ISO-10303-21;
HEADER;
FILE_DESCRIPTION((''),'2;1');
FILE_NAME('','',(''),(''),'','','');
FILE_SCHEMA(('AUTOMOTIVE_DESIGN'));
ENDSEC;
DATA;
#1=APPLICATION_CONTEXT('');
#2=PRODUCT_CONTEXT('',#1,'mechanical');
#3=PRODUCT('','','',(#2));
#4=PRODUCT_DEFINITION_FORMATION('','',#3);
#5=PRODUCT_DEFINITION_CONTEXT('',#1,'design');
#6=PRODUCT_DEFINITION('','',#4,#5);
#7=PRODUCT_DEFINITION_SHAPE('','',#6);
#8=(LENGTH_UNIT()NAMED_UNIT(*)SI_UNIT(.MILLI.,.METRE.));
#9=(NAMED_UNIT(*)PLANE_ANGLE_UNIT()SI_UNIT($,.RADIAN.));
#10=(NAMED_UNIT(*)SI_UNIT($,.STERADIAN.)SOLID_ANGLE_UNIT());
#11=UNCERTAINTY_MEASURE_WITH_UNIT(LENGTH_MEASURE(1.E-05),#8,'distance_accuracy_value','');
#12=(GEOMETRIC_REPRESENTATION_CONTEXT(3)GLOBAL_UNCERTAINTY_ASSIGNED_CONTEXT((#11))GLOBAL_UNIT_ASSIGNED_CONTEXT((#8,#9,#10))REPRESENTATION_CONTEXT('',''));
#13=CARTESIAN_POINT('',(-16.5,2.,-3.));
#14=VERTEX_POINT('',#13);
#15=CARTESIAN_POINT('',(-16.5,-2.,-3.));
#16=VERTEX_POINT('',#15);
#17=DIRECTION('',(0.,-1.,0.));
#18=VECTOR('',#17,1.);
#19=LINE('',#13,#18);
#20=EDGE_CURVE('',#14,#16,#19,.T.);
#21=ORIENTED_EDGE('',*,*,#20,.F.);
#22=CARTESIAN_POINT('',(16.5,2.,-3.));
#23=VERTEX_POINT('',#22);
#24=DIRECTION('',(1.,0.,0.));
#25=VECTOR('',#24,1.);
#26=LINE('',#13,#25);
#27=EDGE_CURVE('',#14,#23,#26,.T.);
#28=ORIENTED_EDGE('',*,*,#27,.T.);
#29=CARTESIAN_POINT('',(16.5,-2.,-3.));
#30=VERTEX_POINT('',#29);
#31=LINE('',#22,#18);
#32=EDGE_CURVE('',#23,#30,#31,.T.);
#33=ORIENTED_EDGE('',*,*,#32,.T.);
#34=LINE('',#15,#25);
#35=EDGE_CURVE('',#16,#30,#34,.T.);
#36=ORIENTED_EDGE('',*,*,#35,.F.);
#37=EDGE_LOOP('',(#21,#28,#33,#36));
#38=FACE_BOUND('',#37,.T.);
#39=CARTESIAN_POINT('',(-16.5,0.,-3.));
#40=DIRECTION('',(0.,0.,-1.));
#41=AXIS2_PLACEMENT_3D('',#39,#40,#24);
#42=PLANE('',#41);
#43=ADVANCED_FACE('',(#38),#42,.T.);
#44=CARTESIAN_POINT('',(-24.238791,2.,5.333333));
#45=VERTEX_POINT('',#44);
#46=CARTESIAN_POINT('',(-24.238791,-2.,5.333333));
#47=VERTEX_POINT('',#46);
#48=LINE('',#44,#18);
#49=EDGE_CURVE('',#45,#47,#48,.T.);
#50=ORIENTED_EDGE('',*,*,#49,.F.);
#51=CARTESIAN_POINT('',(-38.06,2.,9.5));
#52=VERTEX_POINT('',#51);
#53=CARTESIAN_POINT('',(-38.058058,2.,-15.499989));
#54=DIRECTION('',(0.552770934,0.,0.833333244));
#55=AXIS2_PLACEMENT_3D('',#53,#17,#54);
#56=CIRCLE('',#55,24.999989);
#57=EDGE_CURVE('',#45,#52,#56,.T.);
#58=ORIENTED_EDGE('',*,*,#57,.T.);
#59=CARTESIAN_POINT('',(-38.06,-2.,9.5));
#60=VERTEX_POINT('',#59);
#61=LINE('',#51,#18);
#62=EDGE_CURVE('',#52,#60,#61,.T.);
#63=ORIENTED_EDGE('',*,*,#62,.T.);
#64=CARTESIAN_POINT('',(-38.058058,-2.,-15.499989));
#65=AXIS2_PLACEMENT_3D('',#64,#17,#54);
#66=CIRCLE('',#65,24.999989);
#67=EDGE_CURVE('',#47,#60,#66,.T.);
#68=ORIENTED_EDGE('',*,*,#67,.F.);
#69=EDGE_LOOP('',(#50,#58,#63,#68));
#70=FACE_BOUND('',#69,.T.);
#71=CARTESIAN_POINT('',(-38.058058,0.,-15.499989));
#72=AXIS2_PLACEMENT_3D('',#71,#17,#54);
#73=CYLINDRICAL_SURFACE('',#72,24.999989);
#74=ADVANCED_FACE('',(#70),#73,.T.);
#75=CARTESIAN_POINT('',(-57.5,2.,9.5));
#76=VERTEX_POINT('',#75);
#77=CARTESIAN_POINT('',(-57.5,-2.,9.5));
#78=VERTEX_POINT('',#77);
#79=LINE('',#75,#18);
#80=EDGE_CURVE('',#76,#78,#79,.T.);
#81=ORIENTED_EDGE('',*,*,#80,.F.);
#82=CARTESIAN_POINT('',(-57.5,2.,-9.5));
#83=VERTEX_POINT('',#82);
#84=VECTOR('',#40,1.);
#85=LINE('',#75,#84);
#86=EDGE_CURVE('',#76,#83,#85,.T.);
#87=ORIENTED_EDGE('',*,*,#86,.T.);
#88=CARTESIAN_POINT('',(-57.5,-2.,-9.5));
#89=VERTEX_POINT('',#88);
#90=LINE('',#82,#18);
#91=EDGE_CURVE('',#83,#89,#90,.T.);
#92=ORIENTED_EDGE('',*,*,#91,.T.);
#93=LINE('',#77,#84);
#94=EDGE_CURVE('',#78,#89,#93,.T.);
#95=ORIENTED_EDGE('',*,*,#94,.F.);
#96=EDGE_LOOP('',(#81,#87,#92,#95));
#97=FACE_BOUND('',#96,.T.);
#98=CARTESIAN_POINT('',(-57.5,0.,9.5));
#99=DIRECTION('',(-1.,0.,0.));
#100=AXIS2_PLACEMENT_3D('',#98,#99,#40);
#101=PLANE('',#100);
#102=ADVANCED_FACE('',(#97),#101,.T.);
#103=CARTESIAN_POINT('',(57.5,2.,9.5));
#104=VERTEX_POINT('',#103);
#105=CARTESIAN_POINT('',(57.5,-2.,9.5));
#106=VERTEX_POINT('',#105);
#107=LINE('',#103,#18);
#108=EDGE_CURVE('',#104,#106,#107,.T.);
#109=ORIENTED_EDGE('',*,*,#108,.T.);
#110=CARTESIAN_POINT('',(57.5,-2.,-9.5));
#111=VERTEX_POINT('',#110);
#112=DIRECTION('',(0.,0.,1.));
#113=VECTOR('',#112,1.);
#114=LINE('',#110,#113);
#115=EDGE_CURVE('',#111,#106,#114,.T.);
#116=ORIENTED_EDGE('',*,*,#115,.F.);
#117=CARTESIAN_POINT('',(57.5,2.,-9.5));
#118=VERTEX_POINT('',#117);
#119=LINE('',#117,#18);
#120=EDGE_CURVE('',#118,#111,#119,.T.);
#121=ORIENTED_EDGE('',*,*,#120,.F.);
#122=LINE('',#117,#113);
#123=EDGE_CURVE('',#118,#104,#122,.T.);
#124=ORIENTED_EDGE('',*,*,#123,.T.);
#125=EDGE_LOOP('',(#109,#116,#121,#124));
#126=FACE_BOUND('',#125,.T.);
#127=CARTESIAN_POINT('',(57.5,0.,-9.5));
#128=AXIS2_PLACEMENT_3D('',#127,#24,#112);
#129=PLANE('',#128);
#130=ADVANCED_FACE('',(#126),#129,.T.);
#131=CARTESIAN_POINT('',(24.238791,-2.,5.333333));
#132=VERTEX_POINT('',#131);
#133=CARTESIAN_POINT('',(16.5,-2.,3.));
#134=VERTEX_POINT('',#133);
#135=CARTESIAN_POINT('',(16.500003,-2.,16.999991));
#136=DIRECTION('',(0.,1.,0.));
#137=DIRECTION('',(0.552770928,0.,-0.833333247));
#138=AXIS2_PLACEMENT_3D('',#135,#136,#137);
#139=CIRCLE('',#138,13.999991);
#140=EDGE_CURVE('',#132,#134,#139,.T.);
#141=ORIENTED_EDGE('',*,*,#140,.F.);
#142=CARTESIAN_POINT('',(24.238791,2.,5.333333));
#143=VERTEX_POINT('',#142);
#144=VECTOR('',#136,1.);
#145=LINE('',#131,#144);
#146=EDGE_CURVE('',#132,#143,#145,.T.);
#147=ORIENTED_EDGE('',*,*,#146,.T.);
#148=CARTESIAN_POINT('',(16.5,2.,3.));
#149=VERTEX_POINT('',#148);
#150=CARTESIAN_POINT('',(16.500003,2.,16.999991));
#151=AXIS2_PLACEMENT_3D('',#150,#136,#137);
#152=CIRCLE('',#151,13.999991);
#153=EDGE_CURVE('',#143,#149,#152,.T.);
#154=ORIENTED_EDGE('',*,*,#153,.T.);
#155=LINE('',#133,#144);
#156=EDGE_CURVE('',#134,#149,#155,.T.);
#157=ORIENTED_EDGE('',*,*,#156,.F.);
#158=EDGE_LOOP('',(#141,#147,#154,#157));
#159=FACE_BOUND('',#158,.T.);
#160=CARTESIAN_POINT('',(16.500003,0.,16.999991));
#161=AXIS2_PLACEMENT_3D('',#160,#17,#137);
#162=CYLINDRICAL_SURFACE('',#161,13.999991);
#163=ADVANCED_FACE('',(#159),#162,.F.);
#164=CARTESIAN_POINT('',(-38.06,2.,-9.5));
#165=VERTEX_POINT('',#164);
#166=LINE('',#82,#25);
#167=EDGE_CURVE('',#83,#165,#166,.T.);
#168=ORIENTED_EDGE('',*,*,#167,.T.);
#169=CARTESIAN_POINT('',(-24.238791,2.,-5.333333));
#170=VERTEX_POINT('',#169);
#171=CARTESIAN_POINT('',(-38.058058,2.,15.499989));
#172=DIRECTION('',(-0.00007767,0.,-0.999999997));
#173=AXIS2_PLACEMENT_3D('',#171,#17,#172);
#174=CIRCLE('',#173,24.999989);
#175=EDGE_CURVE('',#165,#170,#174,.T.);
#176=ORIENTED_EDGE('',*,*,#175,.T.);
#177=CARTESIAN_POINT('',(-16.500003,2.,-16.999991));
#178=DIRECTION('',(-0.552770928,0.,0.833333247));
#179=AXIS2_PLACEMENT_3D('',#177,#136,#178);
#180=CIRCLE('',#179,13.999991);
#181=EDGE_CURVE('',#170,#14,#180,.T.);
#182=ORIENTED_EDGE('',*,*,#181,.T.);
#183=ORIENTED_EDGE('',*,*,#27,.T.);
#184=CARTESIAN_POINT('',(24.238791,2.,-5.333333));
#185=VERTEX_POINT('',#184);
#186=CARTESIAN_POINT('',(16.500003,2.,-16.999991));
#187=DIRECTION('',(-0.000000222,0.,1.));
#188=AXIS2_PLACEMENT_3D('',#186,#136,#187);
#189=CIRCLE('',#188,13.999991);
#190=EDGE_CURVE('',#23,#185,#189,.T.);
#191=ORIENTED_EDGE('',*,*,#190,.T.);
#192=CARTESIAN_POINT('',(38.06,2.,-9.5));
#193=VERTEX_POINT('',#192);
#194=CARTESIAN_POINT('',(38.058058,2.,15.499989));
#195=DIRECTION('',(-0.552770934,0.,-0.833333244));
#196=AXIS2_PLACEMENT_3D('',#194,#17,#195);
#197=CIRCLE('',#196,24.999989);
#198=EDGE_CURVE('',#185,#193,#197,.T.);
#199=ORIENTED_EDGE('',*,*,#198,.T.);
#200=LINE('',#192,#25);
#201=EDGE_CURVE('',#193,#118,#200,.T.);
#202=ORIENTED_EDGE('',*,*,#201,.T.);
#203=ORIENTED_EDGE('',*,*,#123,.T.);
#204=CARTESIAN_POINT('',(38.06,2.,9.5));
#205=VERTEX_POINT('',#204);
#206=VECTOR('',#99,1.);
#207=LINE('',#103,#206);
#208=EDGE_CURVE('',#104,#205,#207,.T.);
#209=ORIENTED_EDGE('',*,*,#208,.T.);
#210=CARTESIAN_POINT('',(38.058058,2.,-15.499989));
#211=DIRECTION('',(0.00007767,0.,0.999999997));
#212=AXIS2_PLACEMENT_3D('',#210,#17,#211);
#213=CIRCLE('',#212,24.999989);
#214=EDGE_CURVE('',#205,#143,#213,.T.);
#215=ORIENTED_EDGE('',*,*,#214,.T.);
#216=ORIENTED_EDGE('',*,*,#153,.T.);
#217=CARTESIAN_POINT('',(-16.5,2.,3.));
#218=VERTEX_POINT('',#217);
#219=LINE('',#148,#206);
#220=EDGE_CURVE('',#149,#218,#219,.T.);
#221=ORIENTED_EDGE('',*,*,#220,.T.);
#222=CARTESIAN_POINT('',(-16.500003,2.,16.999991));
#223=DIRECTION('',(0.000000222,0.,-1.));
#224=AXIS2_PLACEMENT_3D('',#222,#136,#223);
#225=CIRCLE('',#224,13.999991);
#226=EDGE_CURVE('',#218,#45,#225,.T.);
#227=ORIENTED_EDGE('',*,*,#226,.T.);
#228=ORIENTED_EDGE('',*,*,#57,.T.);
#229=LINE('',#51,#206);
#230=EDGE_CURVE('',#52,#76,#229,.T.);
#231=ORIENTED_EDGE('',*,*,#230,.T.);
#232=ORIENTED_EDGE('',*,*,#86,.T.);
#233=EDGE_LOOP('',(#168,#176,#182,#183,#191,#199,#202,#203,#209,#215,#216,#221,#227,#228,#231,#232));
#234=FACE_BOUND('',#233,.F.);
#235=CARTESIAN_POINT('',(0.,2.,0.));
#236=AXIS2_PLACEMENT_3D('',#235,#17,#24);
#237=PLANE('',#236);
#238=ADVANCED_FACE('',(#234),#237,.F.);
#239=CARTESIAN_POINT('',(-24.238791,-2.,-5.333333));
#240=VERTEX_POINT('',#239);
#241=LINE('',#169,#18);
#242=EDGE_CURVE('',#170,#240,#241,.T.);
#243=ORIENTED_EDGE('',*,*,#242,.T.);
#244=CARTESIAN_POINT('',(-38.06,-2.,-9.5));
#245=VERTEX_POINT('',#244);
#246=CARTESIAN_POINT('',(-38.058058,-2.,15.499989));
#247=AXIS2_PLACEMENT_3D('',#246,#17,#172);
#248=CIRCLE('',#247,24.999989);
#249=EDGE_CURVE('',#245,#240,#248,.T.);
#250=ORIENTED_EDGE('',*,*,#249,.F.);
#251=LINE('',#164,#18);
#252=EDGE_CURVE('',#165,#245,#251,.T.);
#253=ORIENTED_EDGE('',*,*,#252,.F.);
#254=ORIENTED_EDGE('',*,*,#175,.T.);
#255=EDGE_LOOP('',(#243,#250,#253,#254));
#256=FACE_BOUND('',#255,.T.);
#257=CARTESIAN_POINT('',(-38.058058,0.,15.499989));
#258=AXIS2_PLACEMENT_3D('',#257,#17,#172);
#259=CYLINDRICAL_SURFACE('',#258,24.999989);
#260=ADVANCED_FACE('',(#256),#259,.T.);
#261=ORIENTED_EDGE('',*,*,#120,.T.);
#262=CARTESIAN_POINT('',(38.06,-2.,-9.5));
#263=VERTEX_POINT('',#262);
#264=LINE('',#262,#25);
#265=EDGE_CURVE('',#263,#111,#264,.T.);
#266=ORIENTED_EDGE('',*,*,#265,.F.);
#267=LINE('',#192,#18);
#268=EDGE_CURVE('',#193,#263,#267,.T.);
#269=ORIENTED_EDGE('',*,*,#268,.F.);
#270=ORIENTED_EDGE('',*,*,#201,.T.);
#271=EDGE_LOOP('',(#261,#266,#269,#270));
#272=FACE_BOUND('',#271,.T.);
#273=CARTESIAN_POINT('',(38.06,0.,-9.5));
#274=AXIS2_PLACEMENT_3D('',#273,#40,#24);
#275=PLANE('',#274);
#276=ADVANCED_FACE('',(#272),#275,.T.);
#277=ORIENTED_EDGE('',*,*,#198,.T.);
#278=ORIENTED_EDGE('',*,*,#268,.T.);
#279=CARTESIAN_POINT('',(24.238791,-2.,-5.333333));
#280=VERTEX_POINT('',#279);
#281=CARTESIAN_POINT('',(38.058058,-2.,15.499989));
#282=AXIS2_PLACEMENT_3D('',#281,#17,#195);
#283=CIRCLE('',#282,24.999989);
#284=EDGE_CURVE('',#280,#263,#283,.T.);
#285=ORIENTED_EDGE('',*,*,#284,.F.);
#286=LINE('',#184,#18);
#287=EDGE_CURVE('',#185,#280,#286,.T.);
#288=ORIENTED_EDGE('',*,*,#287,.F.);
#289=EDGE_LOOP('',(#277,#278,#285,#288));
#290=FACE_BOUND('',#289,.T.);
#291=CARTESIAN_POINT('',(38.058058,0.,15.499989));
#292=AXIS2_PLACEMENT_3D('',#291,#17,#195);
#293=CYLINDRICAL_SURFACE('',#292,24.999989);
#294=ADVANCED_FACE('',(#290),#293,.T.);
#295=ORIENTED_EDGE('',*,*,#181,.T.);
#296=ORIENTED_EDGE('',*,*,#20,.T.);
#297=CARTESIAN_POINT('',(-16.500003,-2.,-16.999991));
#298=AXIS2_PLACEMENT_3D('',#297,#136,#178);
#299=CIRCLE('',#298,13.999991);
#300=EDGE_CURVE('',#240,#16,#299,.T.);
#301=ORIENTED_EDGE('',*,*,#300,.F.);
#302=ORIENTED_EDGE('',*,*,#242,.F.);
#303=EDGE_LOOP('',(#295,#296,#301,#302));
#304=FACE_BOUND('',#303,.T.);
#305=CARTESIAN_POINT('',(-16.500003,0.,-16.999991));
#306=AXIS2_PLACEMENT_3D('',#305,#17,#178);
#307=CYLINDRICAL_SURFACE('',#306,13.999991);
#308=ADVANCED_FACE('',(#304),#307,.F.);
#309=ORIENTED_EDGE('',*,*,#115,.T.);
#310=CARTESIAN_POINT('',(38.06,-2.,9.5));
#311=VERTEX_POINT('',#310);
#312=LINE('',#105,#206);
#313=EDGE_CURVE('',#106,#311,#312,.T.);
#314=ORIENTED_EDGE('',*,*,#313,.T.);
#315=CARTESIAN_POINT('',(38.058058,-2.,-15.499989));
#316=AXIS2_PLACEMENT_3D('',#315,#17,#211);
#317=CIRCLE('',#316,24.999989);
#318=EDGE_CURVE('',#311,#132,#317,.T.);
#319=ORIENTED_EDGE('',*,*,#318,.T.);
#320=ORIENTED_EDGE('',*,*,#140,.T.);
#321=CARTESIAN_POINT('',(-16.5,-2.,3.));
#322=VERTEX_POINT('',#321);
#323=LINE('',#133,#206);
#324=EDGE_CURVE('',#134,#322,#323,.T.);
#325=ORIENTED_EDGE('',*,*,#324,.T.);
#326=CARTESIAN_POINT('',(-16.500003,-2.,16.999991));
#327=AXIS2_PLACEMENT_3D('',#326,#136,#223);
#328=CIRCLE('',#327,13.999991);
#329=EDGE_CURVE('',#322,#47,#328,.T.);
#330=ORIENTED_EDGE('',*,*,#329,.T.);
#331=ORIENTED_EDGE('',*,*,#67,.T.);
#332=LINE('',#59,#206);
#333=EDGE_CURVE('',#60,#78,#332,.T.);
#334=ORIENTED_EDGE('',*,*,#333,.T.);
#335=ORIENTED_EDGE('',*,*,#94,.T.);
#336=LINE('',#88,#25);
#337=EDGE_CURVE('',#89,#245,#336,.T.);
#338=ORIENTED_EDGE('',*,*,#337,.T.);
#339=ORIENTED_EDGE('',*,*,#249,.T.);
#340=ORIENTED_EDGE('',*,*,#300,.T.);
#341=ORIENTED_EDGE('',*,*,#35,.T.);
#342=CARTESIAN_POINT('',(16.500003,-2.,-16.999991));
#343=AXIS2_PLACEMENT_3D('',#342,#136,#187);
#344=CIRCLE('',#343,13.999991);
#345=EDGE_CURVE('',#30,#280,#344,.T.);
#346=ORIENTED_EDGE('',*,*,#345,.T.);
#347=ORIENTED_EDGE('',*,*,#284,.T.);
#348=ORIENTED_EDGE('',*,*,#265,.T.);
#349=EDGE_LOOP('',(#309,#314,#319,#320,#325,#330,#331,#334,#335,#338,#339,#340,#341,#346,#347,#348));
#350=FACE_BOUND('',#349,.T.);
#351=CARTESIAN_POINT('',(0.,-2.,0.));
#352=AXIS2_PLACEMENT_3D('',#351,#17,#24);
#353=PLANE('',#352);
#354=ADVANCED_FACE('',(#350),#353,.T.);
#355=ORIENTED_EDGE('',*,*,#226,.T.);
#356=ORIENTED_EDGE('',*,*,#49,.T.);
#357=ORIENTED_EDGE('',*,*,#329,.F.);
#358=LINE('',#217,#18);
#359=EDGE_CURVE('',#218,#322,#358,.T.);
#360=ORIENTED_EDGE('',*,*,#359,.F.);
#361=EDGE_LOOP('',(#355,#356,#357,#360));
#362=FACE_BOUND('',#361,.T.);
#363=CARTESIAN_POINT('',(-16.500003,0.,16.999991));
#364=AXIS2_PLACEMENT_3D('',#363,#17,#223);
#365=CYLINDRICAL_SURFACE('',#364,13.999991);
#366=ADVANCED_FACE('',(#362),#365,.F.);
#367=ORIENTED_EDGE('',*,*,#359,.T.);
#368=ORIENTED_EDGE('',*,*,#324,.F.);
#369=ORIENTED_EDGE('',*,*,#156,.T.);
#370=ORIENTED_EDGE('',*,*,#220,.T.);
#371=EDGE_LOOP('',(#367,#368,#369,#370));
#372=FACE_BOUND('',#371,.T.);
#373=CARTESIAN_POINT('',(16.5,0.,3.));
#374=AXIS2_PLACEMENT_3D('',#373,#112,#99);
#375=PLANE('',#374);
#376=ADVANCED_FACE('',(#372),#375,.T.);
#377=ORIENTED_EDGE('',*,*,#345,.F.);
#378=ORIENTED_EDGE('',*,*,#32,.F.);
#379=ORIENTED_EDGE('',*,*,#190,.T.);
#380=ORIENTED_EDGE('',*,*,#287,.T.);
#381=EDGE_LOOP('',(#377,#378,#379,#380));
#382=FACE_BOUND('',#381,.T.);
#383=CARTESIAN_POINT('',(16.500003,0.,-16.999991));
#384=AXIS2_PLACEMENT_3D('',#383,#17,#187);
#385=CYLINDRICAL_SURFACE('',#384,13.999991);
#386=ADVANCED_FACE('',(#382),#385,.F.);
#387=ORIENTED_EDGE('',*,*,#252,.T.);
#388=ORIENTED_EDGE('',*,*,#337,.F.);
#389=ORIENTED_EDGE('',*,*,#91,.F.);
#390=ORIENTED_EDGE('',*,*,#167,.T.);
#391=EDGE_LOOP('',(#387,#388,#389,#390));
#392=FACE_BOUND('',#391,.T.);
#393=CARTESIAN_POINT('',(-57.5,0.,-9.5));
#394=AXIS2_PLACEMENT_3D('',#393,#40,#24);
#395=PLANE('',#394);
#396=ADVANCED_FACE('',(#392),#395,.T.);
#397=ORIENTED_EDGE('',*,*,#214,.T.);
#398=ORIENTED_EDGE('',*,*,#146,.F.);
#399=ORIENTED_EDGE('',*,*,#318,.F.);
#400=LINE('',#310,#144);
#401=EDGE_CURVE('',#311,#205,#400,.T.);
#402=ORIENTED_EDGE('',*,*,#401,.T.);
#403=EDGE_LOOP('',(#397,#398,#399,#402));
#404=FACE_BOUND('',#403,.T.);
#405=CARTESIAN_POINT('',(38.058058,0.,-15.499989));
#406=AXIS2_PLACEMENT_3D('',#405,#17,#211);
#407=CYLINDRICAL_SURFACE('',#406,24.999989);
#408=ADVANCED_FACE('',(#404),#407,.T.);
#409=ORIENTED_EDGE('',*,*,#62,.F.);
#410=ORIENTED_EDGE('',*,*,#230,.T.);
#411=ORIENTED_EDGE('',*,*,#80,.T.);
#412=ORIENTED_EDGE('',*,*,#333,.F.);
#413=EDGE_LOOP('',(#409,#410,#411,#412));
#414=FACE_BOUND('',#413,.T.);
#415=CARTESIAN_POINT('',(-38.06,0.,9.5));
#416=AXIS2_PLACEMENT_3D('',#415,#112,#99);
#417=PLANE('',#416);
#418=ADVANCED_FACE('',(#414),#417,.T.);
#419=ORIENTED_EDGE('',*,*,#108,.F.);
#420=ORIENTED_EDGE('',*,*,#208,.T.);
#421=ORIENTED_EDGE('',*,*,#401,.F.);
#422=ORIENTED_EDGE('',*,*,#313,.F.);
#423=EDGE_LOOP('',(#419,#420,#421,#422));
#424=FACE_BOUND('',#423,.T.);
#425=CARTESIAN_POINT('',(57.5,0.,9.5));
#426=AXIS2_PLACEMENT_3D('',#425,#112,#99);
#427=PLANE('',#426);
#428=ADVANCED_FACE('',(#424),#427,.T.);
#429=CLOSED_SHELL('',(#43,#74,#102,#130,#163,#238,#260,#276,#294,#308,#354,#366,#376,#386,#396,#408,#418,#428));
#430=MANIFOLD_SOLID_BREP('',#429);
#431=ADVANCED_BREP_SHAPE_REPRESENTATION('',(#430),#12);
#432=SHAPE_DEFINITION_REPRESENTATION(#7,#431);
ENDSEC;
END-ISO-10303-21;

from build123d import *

# Parameters (mm, degrees)
F1_DEPTH = 2


with BuildPart() as f1:
    # F0 (on Front) → F1 (new body, symmetric)
    with BuildSketch(Plane.XZ):
        with BuildLine():
            Line((16.5, 3), (0, 3))
            Line((0, 3), (-16.5, 3))
            ThreePointArc((-16.5, 3), (-20.541452, 3.59602), (-24.238791, 5.333333))
            ThreePointArc((-24.238791, 5.333333), (-30.842111, 8.435958), (-38.06, 9.5))
            Line((-38.06, 9.5), (-57.5, 9.5))
            Line((-57.5, 9.5), (-57.5, -9.5))
            Line((-57.5, -9.5), (-38.06, -9.5))
            ThreePointArc((-38.06, -9.5), (-30.842111, -8.435958), (-24.238791, -5.333333))
            ThreePointArc((-24.238791, -5.333333), (-20.541452, -3.59602), (-16.5, -3))
            Line((-16.5, -3), (0, -3))
            Line((0, -3), (16.5, -3))
            ThreePointArc((16.5, -3), (20.541452, -3.59602), (24.238791, -5.333333))
            ThreePointArc((24.238791, -5.333333), (30.842111, -8.435958), (38.06, -9.5))
            Line((38.06, -9.5), (57.5, -9.5))
            Line((57.5, -9.5), (57.5, 9.5))
            Line((57.5, 9.5), (38.06, 9.5))
            ThreePointArc((38.06, 9.5), (30.842111, 8.435958), (24.238791, 5.333333))
            ThreePointArc((24.238791, 5.333333), (20.541452, 3.59602), (16.5, 3))
        make_face()
    extrude(amount=F1_DEPTH, both=True)


solid = f1.part
